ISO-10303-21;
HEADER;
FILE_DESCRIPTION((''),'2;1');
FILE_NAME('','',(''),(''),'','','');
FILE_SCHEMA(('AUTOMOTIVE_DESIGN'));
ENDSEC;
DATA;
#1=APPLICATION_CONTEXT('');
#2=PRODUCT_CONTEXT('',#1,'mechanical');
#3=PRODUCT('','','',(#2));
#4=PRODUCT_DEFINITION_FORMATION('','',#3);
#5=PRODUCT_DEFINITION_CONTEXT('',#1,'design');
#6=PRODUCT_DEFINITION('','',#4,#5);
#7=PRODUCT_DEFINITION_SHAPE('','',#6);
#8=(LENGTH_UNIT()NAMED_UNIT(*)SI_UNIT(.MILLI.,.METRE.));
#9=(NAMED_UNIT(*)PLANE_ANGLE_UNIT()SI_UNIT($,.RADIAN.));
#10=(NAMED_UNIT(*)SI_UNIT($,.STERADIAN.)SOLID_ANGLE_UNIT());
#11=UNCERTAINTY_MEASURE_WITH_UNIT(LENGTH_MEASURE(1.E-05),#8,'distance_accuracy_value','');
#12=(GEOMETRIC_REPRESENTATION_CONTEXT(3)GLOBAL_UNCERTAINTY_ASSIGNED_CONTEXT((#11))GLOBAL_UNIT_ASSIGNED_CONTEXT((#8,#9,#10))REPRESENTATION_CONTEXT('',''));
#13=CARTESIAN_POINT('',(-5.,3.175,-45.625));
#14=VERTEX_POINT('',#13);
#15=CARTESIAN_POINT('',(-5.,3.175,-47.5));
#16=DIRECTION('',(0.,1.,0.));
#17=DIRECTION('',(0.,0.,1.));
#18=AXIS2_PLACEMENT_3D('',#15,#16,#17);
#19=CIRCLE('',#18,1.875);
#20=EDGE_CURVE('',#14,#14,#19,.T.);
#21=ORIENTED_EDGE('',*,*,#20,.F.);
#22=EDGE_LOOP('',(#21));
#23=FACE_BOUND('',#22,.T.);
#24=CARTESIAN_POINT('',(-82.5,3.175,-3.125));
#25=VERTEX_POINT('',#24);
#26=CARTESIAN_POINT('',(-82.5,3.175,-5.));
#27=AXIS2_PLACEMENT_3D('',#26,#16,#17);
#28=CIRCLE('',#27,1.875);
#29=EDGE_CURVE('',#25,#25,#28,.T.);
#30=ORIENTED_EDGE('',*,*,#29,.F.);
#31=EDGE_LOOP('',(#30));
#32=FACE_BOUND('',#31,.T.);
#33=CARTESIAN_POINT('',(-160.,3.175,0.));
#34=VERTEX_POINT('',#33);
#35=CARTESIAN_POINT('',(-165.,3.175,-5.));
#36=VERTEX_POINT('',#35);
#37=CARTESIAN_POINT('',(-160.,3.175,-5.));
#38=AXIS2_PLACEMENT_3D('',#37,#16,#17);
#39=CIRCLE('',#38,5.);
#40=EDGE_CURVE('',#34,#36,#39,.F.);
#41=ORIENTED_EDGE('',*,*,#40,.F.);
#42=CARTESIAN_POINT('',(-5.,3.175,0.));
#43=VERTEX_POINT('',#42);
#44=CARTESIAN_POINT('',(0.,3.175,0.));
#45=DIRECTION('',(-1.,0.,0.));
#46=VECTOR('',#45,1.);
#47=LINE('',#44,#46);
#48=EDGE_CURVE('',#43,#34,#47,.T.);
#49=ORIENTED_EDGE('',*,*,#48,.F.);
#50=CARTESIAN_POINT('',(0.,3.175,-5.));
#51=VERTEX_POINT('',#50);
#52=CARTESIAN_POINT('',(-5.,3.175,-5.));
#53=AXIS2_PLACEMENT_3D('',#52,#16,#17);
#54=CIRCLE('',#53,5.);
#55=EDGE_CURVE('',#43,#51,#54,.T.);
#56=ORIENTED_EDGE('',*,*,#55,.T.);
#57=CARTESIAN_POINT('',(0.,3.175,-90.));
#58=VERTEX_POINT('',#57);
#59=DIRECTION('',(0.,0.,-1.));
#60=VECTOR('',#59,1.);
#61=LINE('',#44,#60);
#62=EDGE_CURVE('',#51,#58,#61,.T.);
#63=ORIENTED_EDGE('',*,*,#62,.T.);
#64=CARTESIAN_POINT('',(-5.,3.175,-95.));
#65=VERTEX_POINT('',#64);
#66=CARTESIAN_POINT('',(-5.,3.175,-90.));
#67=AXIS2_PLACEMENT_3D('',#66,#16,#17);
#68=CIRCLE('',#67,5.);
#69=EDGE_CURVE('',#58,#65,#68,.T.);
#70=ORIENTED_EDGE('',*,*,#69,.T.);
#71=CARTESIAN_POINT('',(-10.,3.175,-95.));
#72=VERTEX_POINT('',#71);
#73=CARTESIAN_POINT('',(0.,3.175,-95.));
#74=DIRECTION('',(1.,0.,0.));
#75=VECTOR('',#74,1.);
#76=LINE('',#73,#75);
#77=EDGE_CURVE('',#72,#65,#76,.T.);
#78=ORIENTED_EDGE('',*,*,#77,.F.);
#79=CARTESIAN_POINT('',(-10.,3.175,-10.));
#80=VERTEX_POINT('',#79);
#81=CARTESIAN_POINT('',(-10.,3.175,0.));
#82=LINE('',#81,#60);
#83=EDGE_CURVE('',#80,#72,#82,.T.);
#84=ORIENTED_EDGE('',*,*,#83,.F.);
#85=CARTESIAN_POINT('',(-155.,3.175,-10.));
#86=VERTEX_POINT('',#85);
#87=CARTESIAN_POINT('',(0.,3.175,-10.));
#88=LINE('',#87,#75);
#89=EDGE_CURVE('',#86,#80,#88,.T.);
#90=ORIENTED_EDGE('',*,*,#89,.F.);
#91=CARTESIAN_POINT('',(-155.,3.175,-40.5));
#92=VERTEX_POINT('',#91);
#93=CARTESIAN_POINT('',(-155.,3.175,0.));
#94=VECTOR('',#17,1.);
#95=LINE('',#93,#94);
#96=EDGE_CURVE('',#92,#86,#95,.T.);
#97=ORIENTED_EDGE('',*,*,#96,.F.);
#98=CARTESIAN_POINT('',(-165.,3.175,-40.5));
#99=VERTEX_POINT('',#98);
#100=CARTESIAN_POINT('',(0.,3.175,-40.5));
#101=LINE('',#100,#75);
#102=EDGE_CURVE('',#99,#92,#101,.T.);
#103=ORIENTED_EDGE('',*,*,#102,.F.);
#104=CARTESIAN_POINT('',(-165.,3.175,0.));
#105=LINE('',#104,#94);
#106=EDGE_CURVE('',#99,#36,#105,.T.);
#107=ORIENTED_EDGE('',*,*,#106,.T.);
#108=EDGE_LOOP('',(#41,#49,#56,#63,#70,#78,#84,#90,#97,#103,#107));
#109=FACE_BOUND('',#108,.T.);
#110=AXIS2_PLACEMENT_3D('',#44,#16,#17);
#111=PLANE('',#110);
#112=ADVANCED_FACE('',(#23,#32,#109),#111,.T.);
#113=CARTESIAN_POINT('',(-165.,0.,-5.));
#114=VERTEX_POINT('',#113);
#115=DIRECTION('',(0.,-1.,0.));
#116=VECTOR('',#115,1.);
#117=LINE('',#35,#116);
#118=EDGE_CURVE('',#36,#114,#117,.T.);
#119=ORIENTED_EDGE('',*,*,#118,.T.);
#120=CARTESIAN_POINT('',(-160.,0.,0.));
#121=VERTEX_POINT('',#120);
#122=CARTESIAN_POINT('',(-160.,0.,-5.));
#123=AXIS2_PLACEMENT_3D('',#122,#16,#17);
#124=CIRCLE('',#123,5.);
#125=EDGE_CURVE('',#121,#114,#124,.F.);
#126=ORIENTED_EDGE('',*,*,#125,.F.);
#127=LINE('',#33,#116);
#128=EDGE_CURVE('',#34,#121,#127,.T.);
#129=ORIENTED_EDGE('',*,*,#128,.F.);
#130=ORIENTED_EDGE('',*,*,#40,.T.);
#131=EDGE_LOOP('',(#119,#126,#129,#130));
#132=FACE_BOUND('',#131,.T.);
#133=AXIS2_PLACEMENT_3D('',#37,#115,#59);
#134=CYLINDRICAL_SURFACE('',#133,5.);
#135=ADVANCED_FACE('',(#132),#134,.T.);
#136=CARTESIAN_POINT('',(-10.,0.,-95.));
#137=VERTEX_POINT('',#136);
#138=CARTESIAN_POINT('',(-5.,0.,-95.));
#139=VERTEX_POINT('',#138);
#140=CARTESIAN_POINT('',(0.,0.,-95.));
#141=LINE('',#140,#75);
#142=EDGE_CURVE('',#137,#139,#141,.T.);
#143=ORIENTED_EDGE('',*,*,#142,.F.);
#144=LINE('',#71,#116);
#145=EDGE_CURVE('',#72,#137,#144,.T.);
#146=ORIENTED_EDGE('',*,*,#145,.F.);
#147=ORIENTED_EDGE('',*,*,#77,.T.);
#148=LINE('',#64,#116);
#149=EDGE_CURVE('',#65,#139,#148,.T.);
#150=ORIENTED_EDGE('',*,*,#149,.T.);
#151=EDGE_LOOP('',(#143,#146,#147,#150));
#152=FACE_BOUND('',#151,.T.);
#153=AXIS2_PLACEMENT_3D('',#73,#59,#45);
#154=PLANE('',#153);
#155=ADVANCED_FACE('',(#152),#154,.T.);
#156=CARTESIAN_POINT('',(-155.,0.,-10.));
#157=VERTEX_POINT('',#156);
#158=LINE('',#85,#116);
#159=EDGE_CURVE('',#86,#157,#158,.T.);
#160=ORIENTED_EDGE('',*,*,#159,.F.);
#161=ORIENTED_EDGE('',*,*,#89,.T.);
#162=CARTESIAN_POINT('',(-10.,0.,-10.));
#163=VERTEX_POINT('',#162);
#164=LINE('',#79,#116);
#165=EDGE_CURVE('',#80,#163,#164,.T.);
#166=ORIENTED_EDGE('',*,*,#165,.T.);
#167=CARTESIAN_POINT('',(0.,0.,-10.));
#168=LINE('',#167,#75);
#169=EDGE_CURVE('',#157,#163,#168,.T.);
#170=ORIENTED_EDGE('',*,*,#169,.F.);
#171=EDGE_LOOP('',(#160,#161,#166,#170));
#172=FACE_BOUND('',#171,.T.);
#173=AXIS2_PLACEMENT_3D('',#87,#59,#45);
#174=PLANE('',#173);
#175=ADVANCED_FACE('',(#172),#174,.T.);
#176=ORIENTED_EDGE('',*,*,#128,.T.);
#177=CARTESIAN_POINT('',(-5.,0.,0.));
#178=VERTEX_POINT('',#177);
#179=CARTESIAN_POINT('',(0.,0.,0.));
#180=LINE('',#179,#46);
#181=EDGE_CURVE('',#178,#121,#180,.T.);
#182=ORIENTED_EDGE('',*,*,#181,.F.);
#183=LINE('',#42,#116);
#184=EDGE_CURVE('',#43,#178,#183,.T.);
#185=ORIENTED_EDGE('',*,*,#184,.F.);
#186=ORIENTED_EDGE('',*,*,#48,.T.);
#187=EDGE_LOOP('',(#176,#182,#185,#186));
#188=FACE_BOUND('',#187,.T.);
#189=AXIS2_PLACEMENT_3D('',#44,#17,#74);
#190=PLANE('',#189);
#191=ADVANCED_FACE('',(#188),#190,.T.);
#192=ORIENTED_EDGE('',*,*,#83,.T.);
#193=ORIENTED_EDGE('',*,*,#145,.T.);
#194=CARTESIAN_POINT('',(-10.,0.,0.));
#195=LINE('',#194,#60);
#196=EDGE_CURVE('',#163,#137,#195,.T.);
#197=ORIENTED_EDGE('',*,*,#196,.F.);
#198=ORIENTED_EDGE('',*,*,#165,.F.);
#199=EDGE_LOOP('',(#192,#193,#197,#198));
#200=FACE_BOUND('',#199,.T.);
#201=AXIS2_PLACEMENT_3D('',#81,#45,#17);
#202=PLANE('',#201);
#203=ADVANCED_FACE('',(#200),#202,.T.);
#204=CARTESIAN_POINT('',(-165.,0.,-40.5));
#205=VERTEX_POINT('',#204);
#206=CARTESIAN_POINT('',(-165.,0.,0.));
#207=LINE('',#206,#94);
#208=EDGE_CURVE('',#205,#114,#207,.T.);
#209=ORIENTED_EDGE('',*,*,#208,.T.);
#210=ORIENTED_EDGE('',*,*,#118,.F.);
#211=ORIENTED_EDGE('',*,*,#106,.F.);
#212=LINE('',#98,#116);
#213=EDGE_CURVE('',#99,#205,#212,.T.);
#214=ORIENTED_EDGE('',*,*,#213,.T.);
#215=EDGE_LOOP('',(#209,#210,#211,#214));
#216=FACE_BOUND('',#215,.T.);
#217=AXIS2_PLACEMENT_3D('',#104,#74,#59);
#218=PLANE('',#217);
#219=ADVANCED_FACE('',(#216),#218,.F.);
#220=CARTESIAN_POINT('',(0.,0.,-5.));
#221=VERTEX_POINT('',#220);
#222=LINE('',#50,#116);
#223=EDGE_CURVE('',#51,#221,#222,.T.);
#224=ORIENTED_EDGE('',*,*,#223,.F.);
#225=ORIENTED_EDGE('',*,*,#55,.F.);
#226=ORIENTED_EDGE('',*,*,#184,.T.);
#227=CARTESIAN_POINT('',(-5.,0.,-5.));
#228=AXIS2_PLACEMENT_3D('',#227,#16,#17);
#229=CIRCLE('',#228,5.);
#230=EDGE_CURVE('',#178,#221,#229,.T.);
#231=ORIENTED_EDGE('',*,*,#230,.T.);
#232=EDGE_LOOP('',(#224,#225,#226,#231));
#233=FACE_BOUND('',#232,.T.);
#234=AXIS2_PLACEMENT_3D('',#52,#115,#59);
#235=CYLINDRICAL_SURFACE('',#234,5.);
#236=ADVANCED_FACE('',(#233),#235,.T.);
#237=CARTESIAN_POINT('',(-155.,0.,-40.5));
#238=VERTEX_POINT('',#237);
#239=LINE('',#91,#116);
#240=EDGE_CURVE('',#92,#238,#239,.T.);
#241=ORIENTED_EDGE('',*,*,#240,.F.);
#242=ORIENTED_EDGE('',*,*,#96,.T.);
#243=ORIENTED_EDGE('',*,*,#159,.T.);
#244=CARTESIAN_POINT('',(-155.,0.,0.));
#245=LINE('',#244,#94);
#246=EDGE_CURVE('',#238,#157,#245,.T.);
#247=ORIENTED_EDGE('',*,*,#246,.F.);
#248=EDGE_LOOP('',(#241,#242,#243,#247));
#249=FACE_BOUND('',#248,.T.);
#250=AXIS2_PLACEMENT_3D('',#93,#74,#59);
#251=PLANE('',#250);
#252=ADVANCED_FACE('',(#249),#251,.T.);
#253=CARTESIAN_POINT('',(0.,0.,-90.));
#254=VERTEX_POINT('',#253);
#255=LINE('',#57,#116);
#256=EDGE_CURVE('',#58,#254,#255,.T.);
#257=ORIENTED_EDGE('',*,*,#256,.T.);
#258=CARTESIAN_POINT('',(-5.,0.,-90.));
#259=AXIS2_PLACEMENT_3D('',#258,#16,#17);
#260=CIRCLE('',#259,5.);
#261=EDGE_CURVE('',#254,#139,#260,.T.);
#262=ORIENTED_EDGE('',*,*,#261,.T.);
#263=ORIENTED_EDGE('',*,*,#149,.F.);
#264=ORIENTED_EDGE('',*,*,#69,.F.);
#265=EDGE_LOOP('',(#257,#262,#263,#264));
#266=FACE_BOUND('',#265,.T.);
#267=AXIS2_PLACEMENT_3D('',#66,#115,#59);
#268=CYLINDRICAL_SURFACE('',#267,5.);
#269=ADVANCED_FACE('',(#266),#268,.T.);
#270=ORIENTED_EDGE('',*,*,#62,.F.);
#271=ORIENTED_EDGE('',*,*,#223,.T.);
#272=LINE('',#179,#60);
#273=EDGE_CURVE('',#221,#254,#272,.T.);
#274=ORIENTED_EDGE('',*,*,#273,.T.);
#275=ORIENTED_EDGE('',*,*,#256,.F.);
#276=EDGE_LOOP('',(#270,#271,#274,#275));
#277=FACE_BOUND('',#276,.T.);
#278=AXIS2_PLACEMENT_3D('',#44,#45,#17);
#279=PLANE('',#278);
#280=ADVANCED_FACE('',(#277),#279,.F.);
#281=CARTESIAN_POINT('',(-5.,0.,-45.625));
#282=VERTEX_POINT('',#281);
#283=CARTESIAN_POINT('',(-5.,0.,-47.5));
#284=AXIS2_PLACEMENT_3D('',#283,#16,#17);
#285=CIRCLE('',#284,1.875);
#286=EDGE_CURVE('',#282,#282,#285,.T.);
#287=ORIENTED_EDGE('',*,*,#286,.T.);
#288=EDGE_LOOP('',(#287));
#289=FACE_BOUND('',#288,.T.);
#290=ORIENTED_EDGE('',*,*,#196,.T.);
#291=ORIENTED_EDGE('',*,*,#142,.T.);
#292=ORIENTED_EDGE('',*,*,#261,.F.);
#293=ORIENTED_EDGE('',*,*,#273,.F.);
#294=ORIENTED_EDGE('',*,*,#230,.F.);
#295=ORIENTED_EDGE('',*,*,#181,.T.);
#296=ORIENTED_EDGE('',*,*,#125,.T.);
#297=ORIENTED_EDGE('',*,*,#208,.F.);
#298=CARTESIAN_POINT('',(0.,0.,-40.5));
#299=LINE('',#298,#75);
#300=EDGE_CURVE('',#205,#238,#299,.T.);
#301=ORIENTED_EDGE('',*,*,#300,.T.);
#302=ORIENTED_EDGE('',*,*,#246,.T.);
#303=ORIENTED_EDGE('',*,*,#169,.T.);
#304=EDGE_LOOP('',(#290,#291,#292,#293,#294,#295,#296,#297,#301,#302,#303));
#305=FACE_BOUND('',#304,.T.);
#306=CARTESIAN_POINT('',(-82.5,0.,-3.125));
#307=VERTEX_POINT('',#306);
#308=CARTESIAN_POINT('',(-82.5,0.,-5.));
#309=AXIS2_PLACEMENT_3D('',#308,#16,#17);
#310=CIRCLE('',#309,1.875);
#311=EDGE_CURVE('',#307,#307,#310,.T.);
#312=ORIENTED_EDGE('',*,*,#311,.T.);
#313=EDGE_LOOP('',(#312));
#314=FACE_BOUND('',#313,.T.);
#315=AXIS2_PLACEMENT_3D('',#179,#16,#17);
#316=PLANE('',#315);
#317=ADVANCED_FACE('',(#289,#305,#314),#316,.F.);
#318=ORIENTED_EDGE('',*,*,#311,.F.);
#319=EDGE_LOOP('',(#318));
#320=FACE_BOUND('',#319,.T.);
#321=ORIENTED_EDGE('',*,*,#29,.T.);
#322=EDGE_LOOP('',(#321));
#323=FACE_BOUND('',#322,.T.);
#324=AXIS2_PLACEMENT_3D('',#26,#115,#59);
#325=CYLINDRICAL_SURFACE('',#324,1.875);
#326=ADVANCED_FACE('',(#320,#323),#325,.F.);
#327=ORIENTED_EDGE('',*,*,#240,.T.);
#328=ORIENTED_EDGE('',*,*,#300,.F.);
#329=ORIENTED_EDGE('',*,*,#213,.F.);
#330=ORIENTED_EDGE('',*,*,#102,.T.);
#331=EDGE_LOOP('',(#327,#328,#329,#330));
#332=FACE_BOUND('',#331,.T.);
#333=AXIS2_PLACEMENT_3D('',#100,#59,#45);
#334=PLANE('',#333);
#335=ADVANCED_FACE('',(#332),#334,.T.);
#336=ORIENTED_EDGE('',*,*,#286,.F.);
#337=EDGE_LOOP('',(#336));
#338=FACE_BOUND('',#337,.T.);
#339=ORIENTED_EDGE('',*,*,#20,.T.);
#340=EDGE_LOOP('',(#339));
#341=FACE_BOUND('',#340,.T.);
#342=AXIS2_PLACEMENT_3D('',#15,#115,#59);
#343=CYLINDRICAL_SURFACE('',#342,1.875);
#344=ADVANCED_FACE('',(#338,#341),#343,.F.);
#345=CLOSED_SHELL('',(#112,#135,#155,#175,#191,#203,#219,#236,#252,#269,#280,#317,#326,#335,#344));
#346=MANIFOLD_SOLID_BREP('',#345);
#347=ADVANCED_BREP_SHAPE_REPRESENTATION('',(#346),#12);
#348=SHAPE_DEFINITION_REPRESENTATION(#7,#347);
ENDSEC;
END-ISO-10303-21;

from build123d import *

# Parameters (mm, degrees)
SKETCH1_R           = 1.875
BOSS_EXTRUDE1_DEPTH = 3.175


with BuildPart() as part:
    # Sketch1 → Boss-Extrude1 (new body)
    with BuildSketch(Plane(origin=(0, 0, 0), x_dir=(1, 0, 0), z_dir=(0, 1, 0))):
        with BuildLine():
            Line((-5, 0), (-160, 0))
            ThreePointArc((-160, 0), (-163.535533906, 1.464466094), (-165, 5))
            Line((-165, 5), (-165, 40.5))
            Line((-165, 40.5), (-155, 40.5))
            Line((-155, 40.5), (-155, 10))
            Line((-155, 10), (-10, 10))
            Line((-10, 10), (-10, 85))
            Line((-10, 85), (-10, 95))
            Line((-10, 95), (-5, 95))
            ThreePointArc((-5, 95), (-1.464466094, 93.535533906), (0, 90))
            Line((0, 90), (0, 5))
            ThreePointArc((0, 5), (-1.464466094, 1.464466094), (-5, 0))
        make_face()
        with Locations(Location((-5, 47.5, 0), (0, 0, 270))):
            Circle(SKETCH1_R, mode=Mode.SUBTRACT)
        with Locations(Location((-82.5, 5, 0), (0, 0, 270))):
            Circle(SKETCH1_R, mode=Mode.SUBTRACT)
    extrude(amount=BOSS_EXTRUDE1_DEPTH)


solid = part.part
